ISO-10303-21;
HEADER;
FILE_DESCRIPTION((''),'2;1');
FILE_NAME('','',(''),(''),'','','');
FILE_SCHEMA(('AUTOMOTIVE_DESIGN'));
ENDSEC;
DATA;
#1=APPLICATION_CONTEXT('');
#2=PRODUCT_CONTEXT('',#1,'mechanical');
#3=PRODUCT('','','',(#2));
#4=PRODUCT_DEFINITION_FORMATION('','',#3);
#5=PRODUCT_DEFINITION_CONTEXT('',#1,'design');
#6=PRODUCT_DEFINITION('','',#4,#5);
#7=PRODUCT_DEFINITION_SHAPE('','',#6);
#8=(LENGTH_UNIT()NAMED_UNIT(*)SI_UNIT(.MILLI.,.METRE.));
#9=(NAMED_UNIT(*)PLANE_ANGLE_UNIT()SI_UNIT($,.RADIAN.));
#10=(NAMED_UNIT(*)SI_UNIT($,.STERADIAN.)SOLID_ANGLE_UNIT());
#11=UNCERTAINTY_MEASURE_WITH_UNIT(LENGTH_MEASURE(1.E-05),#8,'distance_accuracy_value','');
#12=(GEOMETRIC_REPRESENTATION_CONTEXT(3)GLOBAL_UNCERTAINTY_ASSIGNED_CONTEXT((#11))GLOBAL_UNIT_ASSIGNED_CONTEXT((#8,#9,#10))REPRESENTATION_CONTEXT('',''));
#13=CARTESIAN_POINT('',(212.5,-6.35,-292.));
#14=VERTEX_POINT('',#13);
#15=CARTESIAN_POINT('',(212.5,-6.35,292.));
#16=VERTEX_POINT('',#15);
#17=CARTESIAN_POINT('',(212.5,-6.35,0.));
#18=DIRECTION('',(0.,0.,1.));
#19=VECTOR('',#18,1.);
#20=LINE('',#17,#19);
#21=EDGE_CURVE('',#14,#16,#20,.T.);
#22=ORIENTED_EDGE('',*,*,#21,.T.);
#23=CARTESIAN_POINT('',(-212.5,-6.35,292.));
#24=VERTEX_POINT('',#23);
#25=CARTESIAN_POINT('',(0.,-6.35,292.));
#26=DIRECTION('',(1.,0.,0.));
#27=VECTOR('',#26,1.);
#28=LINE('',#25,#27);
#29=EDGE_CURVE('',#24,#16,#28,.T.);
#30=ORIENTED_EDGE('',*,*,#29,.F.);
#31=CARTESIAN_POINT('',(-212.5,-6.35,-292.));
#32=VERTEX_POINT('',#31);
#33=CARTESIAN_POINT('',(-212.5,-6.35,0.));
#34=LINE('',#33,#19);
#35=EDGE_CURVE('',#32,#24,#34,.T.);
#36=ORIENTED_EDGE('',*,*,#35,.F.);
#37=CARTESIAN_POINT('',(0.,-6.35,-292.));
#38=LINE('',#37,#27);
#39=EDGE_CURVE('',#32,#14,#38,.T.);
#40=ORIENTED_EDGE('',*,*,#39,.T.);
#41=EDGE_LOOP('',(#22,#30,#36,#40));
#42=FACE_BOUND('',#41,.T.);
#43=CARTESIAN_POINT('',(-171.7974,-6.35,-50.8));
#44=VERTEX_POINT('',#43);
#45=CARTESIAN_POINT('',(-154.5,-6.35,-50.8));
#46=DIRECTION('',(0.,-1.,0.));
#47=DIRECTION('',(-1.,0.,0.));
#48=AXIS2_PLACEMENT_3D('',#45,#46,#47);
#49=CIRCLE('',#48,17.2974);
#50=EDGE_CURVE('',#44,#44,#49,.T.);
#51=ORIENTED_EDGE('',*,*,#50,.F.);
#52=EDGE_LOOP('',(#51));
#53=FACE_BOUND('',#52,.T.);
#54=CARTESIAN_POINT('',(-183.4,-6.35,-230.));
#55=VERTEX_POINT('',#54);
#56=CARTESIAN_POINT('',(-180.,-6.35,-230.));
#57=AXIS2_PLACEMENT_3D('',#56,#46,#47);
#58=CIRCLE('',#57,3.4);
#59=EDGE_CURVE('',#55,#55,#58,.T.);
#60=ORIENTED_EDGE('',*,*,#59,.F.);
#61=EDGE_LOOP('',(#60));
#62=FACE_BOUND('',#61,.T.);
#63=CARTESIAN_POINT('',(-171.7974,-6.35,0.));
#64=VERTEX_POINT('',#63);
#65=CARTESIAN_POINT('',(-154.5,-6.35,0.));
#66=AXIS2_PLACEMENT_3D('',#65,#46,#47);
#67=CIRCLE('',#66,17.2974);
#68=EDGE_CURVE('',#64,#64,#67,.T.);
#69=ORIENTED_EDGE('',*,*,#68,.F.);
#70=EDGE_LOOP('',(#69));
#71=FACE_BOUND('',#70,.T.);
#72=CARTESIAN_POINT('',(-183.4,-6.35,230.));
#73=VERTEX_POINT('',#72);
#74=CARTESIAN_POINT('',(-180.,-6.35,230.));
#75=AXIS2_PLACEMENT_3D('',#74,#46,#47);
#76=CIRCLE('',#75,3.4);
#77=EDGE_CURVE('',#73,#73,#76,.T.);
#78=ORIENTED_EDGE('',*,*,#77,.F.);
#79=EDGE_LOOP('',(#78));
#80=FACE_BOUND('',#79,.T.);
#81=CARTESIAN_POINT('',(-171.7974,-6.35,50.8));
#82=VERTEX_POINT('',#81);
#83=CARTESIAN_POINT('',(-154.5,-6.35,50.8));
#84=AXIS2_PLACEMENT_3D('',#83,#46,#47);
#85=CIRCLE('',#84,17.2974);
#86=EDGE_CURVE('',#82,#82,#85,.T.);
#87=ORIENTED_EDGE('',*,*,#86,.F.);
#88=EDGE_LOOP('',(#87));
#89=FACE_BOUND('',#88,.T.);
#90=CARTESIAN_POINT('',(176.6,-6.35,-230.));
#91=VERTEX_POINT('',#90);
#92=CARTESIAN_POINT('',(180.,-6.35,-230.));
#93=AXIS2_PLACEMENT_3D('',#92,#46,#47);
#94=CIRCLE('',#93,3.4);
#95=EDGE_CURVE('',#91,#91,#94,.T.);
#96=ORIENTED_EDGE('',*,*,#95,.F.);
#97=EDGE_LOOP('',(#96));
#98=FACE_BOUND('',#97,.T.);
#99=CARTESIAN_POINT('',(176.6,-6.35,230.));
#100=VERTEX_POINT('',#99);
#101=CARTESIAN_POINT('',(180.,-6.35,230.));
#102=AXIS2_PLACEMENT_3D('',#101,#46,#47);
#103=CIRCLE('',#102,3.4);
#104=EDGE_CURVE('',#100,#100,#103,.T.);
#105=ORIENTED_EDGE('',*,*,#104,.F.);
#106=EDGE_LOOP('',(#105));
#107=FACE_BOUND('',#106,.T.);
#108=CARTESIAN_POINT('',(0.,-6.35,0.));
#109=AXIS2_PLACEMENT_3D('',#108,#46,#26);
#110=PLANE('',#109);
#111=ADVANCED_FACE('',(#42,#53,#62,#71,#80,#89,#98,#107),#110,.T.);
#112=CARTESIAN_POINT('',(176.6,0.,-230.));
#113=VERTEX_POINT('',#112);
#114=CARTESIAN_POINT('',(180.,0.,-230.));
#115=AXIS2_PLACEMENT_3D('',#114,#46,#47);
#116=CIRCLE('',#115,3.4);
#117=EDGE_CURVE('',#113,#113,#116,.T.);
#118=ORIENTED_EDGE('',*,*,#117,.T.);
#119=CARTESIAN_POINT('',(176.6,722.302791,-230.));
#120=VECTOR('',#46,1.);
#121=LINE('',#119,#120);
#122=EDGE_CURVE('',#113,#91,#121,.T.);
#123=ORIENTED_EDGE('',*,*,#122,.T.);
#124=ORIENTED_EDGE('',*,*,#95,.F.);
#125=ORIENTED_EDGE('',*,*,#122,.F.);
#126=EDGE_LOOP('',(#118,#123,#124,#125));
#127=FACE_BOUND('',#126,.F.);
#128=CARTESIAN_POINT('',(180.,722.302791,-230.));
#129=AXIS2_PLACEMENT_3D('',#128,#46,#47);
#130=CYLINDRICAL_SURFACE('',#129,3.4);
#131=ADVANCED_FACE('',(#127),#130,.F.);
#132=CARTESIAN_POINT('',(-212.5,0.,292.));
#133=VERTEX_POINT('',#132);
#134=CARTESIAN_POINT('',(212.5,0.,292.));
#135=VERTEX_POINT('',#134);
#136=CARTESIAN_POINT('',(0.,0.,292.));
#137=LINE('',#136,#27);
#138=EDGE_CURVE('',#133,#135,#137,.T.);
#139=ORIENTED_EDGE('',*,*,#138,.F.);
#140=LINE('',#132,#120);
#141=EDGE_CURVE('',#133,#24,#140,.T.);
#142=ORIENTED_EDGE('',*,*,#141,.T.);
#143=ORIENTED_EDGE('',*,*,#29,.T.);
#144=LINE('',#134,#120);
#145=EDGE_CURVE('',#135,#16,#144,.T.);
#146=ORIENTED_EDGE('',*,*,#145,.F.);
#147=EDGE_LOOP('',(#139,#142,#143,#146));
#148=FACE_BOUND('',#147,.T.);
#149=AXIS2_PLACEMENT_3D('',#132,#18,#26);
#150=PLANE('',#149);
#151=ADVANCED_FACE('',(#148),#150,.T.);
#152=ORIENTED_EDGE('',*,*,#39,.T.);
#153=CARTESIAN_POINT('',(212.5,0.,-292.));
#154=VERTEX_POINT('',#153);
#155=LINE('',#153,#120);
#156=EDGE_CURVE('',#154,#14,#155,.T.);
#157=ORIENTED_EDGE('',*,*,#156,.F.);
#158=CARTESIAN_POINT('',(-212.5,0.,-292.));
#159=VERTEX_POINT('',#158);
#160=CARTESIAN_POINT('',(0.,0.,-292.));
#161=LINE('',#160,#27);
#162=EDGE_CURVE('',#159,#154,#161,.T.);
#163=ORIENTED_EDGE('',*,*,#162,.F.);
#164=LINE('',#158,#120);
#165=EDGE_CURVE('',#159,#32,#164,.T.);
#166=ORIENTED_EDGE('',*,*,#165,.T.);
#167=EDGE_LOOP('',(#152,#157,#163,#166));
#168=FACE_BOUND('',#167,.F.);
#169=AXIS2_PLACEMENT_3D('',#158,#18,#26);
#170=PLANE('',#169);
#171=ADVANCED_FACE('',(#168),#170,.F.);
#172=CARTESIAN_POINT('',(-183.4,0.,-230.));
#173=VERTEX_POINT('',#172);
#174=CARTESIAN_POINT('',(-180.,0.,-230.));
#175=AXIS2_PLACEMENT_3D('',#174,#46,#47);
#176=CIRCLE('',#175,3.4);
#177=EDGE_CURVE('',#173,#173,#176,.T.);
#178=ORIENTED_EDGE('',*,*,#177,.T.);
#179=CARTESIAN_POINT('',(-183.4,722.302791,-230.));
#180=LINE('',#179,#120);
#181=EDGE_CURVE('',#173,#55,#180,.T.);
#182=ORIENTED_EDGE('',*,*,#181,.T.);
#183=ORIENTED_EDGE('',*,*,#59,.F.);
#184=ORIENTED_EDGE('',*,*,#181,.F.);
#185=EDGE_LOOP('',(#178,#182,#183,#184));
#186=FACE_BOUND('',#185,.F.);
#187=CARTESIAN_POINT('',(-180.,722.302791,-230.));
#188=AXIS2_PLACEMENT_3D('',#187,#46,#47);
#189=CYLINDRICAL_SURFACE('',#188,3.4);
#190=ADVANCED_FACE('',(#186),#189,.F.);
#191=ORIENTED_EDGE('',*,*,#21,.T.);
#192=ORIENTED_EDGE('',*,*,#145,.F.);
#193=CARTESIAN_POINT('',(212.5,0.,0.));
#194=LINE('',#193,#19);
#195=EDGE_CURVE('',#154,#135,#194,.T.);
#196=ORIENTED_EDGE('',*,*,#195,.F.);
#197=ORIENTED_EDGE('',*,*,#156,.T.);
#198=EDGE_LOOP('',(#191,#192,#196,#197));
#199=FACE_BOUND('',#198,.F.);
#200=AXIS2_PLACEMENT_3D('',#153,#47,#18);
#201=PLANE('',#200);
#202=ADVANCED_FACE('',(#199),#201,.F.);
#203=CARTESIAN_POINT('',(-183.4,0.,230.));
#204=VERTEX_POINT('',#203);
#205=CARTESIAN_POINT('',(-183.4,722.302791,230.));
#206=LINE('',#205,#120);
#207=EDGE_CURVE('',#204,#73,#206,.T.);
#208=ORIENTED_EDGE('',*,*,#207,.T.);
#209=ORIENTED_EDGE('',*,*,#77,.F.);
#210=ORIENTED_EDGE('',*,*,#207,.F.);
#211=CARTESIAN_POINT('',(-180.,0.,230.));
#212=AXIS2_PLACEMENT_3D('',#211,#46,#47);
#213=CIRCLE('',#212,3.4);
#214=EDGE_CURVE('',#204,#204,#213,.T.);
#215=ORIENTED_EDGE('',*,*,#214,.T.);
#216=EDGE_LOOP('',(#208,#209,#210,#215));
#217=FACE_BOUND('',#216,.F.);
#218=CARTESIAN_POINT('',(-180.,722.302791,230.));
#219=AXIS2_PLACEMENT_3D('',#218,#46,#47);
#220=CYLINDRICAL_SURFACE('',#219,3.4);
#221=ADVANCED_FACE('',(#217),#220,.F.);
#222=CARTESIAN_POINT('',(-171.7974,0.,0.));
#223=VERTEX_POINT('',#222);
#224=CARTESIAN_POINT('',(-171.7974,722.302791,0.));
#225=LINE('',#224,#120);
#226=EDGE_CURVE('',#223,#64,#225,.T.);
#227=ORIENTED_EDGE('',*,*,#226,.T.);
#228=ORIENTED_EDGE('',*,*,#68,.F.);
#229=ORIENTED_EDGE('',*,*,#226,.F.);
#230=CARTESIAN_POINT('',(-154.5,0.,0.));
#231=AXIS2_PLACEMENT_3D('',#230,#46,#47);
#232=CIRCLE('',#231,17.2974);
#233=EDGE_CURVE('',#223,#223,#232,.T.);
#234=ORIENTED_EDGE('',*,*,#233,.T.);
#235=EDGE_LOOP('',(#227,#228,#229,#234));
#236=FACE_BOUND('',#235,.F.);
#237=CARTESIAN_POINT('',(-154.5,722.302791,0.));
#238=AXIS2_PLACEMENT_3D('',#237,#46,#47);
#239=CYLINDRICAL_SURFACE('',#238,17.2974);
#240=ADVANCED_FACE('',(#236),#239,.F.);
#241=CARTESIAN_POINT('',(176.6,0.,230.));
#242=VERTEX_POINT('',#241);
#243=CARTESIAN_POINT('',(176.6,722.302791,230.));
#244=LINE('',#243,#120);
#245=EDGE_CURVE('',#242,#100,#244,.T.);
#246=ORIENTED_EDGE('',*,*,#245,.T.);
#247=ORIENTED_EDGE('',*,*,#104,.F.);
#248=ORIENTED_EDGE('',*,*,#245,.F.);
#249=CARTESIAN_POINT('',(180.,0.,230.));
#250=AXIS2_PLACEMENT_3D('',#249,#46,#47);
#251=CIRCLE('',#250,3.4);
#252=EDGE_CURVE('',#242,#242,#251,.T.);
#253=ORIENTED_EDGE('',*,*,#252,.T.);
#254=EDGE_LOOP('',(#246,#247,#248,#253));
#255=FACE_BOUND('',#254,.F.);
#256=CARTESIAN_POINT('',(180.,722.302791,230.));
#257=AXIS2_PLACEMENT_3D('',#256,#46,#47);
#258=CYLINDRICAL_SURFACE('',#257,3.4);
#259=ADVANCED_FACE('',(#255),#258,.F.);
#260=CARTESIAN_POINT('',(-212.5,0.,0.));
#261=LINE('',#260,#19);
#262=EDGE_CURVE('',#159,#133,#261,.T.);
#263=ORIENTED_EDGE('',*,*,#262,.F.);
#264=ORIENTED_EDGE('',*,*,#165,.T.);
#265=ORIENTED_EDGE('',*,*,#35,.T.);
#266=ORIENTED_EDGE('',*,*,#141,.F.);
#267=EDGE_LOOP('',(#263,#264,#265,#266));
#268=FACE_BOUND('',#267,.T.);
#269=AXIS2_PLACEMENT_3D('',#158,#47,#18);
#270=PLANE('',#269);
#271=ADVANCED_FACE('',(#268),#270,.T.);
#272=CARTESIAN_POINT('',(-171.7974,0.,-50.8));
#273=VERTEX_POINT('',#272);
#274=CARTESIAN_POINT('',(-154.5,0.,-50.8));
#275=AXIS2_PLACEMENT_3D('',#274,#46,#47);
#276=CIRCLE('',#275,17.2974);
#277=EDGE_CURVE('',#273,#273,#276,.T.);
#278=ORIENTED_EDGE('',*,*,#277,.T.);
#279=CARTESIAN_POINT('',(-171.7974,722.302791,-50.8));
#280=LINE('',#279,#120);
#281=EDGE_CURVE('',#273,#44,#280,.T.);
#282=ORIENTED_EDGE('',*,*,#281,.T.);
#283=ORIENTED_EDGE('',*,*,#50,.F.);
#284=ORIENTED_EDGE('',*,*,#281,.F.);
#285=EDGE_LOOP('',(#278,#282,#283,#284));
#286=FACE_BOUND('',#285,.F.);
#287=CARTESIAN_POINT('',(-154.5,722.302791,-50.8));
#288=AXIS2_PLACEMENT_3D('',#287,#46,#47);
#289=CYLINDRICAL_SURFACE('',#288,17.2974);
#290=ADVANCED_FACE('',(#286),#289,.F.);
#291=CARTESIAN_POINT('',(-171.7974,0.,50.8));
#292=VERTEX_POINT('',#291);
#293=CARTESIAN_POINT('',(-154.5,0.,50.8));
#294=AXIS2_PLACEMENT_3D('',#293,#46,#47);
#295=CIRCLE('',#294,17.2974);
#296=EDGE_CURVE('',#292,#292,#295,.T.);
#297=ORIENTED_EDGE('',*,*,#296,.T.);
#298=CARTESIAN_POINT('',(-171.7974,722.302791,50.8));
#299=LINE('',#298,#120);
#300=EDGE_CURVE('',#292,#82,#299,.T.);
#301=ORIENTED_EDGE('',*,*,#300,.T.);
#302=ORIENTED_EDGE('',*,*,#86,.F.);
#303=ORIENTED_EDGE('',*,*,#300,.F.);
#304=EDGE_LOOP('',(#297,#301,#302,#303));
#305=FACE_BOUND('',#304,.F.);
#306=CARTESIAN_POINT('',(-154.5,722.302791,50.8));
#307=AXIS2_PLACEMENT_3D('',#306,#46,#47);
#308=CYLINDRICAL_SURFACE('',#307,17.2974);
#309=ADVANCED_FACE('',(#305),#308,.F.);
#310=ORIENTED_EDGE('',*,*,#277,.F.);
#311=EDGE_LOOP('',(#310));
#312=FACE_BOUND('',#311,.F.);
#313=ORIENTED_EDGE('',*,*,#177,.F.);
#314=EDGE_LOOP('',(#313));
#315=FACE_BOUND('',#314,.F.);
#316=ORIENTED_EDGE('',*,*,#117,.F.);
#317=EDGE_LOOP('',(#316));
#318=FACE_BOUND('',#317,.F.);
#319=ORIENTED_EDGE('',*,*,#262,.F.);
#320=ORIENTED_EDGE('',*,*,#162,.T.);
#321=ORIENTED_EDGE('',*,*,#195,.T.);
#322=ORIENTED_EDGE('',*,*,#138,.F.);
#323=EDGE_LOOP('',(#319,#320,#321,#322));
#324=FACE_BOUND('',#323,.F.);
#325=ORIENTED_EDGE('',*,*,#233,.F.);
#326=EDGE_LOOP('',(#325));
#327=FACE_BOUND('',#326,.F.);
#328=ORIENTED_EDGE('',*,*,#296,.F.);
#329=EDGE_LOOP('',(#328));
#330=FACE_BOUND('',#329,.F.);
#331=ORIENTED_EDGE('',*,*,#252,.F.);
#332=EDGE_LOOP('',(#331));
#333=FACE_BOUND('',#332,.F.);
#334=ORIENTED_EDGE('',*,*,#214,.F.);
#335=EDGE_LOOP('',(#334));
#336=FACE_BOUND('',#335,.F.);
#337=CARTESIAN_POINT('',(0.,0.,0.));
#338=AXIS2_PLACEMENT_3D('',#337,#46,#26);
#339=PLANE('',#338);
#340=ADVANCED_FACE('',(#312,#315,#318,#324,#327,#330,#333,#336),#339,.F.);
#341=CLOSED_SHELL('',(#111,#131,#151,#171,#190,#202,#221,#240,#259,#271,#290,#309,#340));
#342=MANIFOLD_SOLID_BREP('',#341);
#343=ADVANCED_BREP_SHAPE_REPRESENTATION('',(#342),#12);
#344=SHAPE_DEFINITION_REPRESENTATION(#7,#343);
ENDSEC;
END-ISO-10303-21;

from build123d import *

# Parameters (mm, degrees)
F0_W     = 425
F0_H     = 584
F1_DEPTH = 6.35
F2_D     = 6.8
F3_D     = 34.5948


with BuildPart() as f1:
    # F0 (on Front) → F1 (new body)
    with BuildSketch(Plane.XZ):
        Rectangle(F0_W, F0_H)
    extrude(amount=F1_DEPTH)

    # F2 (through all)
    with Locations(Plane(origin=(0, 0, 0), x_dir=(1, 0, 0), z_dir=(0, 1, 0))):
        with Locations((-180, -230), (-180, 230), (180, 230), (180, -230)):
            Hole(F2_D / 2)

    # F3 (through all)
    with Locations(Plane(origin=(0, 0, 0), x_dir=(1, 0, 0), z_dir=(0, 1, 0))):
        with Locations((-154.5, -50.8), (-154.5, 0), (-154.5, 50.8)):
            Hole(F3_D / 2)


solid = f1.part
